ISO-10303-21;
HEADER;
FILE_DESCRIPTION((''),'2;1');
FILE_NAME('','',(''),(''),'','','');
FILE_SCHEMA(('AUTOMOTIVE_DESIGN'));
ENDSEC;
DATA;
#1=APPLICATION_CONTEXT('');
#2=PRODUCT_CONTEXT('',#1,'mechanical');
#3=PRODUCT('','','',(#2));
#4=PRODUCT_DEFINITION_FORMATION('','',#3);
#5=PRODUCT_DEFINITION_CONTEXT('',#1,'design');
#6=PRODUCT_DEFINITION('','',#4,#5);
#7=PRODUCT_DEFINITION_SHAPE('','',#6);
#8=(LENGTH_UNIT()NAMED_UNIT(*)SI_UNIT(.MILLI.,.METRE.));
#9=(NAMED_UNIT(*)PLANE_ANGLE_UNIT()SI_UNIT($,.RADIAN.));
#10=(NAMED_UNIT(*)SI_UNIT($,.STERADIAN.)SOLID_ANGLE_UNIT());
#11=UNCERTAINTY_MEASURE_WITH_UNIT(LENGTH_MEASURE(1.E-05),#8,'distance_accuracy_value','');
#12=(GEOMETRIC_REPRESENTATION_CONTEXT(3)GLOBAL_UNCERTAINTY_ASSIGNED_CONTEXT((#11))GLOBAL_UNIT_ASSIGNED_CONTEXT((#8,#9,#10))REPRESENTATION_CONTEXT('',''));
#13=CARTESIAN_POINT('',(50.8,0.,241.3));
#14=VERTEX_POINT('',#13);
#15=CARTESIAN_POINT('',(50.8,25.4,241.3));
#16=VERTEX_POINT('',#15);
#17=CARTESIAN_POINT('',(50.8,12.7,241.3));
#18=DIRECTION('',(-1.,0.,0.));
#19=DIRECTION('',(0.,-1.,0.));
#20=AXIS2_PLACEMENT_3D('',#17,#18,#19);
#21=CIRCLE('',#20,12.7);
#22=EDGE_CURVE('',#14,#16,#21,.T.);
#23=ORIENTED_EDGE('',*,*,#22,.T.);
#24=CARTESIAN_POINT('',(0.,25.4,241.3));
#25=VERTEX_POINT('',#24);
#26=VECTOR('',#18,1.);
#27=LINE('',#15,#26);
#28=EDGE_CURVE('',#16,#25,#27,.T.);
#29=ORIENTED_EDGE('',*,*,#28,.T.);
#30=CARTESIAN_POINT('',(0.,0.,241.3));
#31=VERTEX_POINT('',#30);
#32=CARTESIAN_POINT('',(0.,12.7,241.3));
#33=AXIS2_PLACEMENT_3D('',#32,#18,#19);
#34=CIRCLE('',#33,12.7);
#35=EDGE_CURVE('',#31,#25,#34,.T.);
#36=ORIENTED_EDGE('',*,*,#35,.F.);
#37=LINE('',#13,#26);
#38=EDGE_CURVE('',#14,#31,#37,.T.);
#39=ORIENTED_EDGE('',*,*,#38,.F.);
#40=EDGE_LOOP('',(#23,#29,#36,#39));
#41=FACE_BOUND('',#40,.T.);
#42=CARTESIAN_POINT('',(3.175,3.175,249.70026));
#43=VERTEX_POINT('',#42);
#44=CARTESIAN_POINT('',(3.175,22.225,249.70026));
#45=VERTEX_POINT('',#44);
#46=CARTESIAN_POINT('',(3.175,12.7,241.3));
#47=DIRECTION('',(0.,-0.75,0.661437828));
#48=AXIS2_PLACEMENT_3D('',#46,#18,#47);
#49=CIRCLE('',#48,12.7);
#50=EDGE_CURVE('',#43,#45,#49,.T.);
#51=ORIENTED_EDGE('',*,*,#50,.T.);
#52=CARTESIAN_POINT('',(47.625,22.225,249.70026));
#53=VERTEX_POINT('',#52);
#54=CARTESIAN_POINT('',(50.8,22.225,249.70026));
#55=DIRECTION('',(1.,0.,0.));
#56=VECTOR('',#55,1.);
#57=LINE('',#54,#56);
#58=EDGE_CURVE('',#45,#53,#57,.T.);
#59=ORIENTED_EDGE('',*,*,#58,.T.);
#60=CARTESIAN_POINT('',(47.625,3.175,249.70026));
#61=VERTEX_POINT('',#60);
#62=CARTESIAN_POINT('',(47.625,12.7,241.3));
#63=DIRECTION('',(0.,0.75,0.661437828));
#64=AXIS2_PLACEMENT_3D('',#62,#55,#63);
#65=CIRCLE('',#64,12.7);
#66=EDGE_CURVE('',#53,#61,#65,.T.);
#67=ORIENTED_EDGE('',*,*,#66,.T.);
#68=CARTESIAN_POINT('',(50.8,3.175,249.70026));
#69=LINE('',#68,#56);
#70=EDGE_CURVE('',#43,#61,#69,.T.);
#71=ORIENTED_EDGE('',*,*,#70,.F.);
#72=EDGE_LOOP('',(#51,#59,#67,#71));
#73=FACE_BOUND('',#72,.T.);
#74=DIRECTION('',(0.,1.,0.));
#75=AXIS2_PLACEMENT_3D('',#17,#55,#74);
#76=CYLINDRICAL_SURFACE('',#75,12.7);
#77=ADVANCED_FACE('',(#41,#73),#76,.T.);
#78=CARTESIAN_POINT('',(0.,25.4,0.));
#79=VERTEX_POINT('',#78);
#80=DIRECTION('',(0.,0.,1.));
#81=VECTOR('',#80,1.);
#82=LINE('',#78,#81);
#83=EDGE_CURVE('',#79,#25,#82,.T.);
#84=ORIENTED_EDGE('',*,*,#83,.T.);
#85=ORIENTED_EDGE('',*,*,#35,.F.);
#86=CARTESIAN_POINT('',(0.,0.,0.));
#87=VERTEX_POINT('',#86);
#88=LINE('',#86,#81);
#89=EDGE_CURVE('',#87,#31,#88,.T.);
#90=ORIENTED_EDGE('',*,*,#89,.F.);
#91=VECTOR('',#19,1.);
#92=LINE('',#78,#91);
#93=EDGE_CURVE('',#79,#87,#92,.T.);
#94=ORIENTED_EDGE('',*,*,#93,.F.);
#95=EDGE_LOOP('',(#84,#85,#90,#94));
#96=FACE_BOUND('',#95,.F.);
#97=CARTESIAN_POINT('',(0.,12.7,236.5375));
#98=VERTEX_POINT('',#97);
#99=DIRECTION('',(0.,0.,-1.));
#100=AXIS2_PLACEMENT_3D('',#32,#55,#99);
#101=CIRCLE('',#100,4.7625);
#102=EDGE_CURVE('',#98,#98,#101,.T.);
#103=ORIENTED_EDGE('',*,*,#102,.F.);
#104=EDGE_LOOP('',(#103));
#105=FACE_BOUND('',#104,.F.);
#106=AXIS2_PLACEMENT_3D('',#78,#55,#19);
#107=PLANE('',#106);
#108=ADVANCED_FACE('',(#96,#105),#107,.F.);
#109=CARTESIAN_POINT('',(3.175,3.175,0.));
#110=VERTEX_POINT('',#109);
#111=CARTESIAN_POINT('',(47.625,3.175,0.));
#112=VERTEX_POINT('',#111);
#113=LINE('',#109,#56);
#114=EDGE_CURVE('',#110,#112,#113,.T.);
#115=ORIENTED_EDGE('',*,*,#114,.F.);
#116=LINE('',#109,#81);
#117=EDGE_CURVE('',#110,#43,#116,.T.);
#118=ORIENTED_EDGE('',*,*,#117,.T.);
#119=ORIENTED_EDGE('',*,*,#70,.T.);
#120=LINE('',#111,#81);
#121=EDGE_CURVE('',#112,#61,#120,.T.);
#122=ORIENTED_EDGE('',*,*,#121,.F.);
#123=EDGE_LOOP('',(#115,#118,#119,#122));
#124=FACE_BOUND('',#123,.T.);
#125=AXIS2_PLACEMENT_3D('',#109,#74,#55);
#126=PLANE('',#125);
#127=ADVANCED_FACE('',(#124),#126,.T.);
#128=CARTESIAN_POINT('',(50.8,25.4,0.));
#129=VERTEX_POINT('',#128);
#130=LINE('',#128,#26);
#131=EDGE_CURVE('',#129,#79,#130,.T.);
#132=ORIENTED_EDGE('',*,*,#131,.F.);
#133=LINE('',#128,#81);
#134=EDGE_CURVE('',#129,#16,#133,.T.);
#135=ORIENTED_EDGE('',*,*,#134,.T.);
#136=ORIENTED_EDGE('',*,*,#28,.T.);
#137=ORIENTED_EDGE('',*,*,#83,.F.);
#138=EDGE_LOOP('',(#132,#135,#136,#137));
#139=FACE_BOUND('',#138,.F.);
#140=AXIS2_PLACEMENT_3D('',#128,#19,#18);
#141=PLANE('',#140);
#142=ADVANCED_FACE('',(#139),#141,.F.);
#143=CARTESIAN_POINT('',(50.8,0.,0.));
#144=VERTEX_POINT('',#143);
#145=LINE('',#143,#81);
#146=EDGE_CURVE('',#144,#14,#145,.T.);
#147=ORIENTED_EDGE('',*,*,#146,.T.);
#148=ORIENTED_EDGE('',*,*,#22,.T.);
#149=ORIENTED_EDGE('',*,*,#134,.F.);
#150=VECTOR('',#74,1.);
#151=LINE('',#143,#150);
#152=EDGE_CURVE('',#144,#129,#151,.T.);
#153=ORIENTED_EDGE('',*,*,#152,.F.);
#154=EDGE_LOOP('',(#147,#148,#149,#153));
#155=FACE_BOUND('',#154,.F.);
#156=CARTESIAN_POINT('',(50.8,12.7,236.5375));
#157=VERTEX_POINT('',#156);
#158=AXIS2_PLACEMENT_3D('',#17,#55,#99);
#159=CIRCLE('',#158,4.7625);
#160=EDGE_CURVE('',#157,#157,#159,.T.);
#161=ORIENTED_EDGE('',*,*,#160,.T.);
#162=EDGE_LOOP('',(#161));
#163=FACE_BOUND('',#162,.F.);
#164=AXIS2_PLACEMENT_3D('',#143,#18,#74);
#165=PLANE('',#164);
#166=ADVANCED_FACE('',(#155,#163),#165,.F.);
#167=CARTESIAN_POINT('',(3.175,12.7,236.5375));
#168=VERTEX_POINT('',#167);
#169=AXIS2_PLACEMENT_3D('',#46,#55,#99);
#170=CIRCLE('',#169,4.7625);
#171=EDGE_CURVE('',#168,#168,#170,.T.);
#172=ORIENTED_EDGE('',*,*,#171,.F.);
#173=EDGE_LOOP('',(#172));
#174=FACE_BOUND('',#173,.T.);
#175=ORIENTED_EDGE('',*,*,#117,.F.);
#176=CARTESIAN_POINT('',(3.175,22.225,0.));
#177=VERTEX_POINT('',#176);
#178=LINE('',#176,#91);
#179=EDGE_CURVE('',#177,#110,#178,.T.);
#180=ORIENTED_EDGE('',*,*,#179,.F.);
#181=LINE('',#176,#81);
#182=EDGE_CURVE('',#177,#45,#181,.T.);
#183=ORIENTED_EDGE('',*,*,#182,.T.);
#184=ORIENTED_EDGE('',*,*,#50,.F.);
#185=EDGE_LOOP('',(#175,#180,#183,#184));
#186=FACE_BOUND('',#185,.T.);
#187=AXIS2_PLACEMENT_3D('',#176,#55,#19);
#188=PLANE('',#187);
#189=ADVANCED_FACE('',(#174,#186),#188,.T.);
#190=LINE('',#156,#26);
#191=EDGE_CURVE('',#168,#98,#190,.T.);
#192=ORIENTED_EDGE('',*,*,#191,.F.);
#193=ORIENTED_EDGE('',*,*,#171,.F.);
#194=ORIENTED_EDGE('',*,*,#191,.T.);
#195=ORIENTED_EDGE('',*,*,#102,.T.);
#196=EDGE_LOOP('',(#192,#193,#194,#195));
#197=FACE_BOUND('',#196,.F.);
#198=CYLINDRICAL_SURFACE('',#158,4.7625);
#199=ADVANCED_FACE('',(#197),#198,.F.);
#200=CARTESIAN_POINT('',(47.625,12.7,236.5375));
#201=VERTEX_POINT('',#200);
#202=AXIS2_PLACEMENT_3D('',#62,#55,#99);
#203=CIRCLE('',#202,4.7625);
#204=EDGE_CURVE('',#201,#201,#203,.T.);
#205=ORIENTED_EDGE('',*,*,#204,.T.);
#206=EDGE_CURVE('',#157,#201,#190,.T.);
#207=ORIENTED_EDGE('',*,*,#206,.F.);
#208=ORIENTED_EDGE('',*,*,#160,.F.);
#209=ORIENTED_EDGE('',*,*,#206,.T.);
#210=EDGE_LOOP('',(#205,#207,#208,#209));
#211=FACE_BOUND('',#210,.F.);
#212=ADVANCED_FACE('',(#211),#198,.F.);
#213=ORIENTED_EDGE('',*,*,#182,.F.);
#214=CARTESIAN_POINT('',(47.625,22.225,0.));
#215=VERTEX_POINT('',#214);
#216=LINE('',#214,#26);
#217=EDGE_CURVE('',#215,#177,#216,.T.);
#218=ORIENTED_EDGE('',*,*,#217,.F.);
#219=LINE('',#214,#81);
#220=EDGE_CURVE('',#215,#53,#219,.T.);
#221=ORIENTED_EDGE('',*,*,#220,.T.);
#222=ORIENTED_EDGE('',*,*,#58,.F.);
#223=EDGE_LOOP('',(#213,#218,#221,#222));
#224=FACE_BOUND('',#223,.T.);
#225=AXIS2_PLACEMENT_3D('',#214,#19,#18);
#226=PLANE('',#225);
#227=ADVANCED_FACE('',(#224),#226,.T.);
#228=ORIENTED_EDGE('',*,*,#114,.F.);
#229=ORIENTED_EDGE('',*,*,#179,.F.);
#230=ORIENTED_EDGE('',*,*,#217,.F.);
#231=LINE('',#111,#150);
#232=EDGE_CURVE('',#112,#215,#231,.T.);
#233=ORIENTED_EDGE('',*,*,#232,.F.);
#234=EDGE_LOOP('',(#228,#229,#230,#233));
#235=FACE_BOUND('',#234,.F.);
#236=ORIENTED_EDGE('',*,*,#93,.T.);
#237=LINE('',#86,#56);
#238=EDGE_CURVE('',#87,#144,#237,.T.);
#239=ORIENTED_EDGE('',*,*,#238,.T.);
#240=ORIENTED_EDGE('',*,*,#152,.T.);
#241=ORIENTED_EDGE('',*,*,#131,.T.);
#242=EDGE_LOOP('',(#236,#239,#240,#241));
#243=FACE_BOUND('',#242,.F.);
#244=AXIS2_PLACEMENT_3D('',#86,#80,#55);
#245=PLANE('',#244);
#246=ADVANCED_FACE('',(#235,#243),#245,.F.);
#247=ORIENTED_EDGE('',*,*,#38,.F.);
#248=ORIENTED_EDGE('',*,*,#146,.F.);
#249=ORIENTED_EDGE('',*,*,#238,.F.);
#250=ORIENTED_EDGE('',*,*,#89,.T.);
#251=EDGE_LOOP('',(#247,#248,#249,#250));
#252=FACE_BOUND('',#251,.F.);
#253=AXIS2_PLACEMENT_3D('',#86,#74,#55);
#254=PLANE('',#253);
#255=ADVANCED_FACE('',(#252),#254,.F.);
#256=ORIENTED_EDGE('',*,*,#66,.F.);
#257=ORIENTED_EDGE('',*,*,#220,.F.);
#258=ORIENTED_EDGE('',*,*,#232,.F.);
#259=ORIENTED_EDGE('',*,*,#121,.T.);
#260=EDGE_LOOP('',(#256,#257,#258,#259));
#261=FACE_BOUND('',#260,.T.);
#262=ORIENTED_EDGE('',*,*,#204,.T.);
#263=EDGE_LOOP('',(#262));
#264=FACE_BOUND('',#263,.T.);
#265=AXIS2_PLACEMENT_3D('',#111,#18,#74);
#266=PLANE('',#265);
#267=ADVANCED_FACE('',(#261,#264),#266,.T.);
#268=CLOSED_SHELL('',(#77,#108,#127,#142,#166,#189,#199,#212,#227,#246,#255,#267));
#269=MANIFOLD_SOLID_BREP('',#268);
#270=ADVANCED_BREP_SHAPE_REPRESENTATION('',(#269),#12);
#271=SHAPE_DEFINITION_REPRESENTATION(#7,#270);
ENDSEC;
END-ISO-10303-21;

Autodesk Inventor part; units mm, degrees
ref_plane "YZ Plane" through (0, 0, 0) normal (1, 0, 0) x (0, 1, 0)
ref_plane "XZ Plane" through (0, 0, 0) normal (0, 1, 0) x (-1, 0, 0)
ref_plane "XY Plane" through (0, 0, 0) normal (0, 0, 1) x (1, 0, 0)
sketch "Sketch1" plane through (0, 0, 0) normal (0, 0, 1) x (1, 0, 0)
  line L0 (0, 0) -> (50.8, 0)
  line L1 (50.8, 0) -> (50.8, 25.4)
  line L2 (50.8, 25.4) -> (0, 25.4)
  line L3 (0, 25.4) -> (0, 0)
  line L4 (3.175, 3.175) -> (47.625, 3.175)
  line L5 (47.625, 3.175) -> (47.625, 22.225)
  line L6 (47.625, 22.225) -> (3.175, 22.225)
  line L7 (3.175, 22.225) -> (3.175, 3.175)
  dimension "d0" = 25.4
  dimension "d1" = 50.8
  dimension "d2" = 3.175
  dimension "d3" = 3.175
  dimension "d4" = 3.175
  dimension "d5" = 3.175
extrude "Extrusion1" add sketch "Sketch1" along normal blind 254
sketch "Sketch2" plane through (50.8, 0, 0) normal (1, 0, 0) x (0, 0, -1)
  line L0 (-254, 25.4) -> (-254, 0) projected
  line L1 (0, 0) -> (-254, 0) projected
  line L2 (0, 0) -> (0, 25.4) projected
  line L3 (0, 25.4) -> (-254, 25.4) projected
  circle A0 centre (-241.3, 12.7) radius 4.7625
  arc A1 (-241.3, 25.4) -> (-241.3, 0) centre (-241.3, 12.7) ccw
  dimension "d8" = 9.525
  dimension "d9" = 12.7
extrude "Extrusion2" cut sketch "Sketch2" against normal blind 254 contours L3 A1 L0 | A1 L1 L0 | A0
equation "\"d2\" = d5"
equation "\"d3\" = d2"
equation "\"d4\" = d3"
properties part number "apendage arm"
